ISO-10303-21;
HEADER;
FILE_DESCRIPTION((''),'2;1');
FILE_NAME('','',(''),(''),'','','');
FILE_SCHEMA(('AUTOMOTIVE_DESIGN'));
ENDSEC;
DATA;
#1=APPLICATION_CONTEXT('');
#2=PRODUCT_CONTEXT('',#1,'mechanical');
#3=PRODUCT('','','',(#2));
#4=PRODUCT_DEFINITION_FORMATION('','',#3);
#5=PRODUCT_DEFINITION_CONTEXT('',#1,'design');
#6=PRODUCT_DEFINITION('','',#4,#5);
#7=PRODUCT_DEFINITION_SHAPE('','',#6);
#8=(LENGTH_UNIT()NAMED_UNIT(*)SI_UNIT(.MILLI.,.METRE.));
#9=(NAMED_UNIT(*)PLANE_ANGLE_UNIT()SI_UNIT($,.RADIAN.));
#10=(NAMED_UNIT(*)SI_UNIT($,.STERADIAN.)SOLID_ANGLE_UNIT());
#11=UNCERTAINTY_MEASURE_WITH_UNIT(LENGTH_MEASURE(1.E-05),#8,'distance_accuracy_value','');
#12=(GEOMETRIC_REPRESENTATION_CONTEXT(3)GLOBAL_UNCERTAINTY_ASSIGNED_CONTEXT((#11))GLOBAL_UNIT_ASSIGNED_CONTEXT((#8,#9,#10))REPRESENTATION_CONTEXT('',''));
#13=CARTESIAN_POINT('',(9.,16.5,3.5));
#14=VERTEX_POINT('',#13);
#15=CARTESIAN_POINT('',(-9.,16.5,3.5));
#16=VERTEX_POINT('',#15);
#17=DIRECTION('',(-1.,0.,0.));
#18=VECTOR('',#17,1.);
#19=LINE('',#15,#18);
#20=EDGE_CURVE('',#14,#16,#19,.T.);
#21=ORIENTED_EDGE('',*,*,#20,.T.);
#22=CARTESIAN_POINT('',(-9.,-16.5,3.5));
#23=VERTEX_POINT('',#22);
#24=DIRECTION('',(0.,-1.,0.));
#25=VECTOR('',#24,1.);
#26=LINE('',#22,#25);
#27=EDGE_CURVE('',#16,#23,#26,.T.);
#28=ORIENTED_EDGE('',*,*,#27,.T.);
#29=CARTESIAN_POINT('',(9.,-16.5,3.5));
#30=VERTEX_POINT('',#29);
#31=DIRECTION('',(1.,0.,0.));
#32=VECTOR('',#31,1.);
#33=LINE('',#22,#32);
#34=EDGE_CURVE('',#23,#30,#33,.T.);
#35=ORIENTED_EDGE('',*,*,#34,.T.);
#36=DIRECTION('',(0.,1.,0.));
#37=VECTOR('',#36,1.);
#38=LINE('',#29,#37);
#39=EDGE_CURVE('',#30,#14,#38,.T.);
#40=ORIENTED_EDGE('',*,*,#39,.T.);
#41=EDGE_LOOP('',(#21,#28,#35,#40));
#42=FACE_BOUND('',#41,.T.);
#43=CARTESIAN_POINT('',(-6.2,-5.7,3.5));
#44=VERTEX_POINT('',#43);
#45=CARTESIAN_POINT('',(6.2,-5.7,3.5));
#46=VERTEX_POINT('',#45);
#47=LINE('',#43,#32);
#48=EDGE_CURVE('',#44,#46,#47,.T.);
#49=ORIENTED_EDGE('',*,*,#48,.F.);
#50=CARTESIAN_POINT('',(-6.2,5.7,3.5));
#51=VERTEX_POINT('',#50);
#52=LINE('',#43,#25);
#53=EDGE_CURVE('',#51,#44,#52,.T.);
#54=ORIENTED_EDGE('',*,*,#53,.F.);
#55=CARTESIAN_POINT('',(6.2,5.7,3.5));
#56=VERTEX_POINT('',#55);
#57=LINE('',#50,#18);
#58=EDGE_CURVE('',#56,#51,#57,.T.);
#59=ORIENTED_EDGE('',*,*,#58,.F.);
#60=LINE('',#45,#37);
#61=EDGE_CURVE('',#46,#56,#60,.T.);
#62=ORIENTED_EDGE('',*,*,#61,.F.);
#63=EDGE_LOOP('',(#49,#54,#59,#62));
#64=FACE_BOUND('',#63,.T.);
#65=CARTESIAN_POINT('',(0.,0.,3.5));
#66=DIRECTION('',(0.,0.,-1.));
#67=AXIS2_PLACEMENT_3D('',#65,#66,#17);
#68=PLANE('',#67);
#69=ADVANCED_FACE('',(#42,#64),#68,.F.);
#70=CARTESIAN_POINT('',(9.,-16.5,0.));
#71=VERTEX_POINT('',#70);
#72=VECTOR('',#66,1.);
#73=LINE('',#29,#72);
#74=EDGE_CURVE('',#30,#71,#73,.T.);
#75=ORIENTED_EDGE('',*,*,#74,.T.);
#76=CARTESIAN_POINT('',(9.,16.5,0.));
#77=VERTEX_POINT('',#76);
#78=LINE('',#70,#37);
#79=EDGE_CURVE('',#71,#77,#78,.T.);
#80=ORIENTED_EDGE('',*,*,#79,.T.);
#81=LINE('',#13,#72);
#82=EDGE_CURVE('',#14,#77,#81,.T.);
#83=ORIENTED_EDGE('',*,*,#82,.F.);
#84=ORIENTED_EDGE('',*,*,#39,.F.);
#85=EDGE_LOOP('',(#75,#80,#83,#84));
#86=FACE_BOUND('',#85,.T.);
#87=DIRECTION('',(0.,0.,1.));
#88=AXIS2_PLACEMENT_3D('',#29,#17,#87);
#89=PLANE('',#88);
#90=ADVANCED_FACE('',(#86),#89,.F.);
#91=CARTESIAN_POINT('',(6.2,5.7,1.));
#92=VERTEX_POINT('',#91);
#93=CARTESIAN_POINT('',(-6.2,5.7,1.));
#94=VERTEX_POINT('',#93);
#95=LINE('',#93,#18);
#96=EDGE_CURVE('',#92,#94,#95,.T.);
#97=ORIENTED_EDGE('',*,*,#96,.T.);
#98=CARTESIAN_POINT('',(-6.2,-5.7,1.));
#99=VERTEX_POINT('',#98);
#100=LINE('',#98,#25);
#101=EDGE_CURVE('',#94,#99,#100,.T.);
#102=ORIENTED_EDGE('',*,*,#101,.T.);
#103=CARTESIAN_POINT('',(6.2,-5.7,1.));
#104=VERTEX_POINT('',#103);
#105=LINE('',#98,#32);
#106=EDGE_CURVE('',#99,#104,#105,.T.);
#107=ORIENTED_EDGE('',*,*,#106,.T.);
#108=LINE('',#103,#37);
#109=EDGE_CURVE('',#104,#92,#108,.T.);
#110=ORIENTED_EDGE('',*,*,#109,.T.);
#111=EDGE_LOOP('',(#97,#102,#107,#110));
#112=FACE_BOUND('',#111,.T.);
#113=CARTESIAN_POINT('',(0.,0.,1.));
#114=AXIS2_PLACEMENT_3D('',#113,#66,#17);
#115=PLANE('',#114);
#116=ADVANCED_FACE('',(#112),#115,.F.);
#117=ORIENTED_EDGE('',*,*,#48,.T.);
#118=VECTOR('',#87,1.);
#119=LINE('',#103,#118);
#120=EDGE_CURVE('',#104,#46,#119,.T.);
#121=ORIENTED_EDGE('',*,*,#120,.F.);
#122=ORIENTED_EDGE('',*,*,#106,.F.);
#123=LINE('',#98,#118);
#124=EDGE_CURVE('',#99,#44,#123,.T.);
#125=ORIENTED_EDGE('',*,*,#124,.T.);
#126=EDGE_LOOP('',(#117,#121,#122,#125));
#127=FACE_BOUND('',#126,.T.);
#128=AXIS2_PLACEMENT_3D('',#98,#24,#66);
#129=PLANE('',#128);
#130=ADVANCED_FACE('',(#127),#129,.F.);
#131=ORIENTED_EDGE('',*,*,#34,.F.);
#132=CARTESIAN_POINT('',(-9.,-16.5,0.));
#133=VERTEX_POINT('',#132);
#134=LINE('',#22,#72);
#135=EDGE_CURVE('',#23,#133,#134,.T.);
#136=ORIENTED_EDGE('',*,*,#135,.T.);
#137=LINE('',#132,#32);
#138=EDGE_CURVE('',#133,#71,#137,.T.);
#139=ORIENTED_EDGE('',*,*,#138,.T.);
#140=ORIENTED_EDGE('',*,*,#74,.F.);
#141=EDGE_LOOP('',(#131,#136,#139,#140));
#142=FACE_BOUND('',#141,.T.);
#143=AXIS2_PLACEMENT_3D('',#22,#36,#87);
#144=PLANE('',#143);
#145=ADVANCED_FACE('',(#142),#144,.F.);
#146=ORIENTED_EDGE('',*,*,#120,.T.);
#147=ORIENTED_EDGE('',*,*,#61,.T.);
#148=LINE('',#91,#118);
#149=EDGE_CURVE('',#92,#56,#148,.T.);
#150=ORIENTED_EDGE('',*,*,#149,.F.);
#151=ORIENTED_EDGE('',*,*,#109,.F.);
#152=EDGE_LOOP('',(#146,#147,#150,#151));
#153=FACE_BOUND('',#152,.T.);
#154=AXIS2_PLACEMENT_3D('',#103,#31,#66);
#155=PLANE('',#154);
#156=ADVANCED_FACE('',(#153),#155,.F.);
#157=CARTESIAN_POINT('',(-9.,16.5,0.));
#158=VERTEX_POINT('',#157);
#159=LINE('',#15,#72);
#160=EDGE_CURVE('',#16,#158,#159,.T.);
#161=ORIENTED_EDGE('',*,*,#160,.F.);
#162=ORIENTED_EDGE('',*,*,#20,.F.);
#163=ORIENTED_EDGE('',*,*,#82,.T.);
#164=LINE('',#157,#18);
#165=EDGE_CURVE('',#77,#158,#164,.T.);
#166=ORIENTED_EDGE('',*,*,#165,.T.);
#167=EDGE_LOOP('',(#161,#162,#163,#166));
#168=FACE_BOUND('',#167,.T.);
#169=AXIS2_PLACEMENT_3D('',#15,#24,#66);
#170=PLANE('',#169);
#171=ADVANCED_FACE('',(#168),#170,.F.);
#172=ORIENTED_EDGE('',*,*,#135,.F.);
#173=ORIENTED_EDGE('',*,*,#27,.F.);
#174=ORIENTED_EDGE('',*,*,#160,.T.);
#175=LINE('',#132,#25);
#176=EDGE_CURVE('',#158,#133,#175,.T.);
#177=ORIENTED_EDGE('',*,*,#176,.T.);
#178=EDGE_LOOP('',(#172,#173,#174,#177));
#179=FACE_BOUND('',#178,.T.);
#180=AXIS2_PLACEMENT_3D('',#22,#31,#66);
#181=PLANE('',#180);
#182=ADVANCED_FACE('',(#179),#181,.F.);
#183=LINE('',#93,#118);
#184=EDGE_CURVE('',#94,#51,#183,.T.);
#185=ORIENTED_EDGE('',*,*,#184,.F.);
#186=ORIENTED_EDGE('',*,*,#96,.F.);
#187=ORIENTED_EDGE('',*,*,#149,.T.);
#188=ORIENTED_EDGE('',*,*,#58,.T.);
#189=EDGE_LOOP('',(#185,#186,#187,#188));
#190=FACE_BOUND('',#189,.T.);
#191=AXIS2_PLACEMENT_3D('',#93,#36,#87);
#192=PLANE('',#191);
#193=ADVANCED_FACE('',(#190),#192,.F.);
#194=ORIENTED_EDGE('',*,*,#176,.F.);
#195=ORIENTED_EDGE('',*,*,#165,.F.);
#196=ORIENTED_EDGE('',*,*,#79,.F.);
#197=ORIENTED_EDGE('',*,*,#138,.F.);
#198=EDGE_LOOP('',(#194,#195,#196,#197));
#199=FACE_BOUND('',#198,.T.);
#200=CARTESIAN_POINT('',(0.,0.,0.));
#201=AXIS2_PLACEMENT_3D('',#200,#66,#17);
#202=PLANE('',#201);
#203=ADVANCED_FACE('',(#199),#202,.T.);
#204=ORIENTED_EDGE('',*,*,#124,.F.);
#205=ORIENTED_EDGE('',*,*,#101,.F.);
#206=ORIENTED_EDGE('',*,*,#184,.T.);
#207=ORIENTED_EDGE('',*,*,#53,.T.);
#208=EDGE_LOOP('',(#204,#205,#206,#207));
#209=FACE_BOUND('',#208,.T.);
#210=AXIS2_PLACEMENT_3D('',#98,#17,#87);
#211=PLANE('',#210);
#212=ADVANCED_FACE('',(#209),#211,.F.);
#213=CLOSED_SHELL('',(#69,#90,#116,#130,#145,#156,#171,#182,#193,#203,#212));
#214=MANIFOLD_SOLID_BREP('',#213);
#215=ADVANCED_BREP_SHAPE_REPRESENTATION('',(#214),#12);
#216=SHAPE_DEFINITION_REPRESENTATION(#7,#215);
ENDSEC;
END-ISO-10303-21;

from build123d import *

# Parameters (mm, degrees)
SKETCH_1_W          = 18
SKETCH_1_H          = 33
EXTRUDE_1_DEPTH     = 3.5
SKETCH_2_W          = 12.4
SKETCH_2_H          = 11.4
CUT_EXTRUDE_1_DEPTH = 2.5


with BuildPart() as part:
    # 스케치1 → 보스-돌출1 (new body)
    with BuildSketch(Plane.XY):
        Rectangle(SKETCH_1_W, SKETCH_1_H)
    extrude(amount=EXTRUDE_1_DEPTH)

    # 스케치2 → 컷-돌출1 (cut)
    with BuildSketch(Plane.XY.offset(3.5)):
        Rectangle(SKETCH_2_W, SKETCH_2_H)
    extrude(amount=-CUT_EXTRUDE_1_DEPTH, mode=Mode.SUBTRACT)


solid = part.part
